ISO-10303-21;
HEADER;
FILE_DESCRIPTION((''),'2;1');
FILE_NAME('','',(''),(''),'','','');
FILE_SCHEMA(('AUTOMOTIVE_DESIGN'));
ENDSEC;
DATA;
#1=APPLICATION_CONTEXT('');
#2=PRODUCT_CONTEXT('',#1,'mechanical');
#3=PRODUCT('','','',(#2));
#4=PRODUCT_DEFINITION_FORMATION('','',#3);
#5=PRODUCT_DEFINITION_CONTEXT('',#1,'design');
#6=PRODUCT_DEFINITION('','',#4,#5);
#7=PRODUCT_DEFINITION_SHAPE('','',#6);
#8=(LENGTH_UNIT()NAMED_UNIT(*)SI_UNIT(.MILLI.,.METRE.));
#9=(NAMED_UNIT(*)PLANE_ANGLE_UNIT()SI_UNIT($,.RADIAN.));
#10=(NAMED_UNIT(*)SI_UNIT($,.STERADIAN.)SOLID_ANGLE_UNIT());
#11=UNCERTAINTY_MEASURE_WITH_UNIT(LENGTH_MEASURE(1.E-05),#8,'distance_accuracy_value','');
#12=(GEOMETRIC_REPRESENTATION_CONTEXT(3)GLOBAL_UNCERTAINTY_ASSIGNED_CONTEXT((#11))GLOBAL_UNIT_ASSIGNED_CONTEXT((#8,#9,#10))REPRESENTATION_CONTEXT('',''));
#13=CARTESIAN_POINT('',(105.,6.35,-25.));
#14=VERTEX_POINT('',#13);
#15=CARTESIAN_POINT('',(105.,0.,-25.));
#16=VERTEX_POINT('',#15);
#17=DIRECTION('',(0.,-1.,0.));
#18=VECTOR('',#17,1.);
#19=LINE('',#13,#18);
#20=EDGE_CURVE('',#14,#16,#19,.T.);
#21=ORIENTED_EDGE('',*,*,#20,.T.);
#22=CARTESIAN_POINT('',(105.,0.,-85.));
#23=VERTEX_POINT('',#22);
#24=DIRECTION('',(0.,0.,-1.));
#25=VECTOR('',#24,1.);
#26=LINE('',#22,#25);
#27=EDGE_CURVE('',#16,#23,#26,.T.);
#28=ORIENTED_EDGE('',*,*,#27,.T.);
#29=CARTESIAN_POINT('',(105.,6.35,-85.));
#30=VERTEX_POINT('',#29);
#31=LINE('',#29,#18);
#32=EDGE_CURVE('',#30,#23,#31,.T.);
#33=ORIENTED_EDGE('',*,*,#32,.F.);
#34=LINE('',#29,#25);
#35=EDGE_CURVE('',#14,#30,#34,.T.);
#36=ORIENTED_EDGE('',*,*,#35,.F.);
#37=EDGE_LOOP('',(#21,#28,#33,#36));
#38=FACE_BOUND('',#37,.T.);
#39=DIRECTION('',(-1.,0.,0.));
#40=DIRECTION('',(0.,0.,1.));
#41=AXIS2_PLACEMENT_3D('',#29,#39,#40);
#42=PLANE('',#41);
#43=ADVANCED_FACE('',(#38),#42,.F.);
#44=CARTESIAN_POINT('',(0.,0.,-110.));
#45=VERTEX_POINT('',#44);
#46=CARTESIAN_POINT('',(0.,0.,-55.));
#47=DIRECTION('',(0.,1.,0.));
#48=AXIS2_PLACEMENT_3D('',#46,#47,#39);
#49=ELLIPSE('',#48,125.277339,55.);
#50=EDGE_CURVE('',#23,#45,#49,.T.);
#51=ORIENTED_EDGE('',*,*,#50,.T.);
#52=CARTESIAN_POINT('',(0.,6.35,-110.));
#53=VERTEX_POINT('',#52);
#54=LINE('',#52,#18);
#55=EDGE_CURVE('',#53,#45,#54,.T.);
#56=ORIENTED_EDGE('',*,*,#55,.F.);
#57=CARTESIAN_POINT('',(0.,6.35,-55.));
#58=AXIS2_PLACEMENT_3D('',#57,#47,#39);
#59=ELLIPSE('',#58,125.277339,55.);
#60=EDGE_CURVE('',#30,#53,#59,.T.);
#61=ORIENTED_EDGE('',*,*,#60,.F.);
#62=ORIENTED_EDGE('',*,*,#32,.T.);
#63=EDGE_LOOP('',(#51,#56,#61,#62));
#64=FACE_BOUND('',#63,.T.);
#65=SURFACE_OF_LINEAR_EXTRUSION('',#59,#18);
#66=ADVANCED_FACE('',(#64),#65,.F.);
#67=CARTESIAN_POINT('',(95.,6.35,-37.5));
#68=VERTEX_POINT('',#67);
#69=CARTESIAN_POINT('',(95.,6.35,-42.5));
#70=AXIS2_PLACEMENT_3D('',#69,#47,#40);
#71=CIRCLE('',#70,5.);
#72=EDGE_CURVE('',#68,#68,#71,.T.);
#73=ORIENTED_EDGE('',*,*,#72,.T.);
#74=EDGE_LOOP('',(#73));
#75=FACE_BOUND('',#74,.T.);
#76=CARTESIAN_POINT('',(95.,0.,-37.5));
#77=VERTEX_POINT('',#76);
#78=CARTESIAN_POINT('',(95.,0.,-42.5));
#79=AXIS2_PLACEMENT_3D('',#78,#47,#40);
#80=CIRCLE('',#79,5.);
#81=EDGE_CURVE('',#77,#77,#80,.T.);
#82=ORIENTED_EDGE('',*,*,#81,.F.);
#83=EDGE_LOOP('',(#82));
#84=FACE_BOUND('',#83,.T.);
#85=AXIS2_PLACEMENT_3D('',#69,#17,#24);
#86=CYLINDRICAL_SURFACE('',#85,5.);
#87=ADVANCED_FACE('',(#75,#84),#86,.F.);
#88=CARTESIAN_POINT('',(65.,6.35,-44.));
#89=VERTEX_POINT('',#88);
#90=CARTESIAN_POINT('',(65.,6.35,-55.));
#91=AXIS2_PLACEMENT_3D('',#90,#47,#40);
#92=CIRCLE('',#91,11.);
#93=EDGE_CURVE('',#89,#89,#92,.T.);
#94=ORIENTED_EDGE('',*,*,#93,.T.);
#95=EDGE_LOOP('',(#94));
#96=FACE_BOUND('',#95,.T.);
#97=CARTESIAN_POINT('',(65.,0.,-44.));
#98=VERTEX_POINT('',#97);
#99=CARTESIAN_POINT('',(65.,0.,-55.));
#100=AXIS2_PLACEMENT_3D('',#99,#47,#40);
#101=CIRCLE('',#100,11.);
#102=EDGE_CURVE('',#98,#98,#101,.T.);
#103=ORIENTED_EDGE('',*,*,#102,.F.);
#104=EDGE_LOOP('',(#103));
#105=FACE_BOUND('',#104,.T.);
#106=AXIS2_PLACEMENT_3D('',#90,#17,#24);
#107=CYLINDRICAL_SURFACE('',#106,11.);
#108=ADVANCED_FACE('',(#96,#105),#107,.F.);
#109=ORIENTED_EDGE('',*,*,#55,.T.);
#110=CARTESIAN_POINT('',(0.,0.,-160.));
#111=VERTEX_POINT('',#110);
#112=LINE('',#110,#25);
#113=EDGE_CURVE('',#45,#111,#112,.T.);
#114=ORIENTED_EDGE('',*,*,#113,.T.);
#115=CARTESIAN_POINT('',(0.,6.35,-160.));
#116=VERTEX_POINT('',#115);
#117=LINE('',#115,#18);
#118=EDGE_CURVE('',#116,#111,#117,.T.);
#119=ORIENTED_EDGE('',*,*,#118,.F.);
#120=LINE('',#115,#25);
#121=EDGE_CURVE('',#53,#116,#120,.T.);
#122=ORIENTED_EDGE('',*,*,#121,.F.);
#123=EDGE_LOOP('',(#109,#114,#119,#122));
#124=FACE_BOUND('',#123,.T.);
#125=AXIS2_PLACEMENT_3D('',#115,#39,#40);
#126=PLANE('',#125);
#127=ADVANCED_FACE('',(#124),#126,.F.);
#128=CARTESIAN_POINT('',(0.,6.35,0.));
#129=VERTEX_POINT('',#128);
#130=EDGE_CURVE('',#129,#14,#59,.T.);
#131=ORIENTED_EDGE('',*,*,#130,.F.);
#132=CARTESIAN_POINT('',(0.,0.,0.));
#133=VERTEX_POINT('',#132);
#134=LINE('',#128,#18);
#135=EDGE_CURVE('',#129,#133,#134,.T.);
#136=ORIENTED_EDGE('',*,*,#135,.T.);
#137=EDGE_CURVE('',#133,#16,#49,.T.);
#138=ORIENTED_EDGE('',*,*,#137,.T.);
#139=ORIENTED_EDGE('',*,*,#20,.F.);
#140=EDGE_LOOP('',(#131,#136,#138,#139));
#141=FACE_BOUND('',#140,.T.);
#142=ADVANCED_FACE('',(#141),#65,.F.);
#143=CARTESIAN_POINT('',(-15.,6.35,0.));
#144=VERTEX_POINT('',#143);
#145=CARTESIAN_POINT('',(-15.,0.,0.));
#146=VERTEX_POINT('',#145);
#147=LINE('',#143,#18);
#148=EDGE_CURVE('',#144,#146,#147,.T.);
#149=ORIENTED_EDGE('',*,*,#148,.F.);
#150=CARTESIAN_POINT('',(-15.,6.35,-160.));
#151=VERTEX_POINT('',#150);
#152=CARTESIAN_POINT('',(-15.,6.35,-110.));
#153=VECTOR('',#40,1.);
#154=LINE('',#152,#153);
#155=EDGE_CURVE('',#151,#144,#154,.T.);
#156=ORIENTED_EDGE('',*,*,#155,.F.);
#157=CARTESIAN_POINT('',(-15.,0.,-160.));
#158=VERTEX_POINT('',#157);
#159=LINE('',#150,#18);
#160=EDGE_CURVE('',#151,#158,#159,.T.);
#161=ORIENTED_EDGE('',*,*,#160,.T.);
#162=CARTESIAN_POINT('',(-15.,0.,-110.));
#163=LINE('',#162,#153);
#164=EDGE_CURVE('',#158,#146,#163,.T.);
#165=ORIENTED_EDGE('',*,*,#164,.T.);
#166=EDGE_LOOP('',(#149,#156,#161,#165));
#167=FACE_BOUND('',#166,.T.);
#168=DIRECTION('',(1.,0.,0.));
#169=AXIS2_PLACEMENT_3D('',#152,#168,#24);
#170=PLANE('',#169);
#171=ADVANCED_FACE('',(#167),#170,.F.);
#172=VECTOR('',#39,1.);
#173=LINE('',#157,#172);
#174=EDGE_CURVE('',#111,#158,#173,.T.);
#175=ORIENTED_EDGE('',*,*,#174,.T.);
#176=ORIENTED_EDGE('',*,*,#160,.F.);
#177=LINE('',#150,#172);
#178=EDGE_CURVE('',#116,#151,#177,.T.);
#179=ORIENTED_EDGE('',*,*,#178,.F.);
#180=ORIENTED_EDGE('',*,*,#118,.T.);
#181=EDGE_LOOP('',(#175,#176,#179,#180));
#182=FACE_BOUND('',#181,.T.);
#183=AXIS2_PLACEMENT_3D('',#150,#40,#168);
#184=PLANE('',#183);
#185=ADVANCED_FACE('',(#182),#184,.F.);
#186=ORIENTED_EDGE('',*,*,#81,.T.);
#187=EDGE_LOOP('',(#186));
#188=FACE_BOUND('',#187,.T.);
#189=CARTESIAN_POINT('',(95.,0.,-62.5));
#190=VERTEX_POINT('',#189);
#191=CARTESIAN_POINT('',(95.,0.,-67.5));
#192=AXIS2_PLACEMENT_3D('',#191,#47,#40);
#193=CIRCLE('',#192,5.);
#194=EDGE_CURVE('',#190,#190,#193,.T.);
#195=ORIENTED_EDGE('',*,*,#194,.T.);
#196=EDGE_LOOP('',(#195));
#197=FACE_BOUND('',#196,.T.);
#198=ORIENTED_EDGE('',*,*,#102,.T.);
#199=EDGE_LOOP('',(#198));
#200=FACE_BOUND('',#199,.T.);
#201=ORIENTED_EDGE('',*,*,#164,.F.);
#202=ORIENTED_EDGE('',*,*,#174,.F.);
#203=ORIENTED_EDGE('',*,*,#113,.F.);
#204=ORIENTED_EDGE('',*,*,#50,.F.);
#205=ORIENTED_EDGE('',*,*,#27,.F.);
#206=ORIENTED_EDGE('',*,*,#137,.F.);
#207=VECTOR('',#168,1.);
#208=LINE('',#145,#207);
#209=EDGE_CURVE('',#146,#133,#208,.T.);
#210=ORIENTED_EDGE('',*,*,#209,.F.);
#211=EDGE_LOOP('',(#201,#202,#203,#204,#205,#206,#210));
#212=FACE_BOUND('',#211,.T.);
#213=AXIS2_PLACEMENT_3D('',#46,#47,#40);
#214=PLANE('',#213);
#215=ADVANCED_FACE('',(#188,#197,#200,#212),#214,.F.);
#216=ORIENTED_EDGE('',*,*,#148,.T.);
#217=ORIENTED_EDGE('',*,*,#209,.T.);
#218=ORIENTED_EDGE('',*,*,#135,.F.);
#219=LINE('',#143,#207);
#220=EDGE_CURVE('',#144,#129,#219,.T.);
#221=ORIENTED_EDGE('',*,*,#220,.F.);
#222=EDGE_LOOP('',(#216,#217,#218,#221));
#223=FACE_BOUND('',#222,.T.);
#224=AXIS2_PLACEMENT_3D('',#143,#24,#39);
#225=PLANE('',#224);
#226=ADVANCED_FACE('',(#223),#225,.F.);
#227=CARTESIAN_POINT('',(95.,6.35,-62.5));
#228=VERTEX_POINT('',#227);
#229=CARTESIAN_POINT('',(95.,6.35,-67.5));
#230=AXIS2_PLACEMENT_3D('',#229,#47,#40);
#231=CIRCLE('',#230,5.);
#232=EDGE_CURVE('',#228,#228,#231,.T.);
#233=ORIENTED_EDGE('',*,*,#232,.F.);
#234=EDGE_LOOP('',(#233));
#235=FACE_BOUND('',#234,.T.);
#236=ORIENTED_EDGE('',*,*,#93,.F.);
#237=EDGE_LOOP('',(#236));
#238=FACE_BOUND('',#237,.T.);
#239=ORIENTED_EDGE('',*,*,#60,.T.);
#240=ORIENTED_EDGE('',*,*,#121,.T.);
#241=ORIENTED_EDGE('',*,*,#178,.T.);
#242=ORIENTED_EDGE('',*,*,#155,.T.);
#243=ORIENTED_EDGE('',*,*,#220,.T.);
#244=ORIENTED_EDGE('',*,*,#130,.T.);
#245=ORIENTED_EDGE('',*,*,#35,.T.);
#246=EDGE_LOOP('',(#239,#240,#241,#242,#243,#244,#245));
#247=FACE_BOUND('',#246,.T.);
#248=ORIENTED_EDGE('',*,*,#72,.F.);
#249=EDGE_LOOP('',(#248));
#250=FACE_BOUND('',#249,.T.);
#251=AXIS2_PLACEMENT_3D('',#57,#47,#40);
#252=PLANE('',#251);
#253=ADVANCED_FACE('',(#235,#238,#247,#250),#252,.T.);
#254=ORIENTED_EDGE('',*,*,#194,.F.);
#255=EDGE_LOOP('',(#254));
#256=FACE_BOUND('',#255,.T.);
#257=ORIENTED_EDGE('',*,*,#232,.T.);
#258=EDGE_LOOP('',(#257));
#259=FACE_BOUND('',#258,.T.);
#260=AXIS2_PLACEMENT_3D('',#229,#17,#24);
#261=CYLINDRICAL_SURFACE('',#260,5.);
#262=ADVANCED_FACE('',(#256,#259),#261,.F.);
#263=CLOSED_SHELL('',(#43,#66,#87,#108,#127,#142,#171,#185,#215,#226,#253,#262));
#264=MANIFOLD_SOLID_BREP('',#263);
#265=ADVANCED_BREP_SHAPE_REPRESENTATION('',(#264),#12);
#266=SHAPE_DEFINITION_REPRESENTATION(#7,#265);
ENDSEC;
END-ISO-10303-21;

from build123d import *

# Parameters (mm, degrees)
BOSS_EXTRUDE1_DEPTH = 6.35
SKETCH2_R           = 5
CUT_EXTRUDE1_DEPTH  = 6.35
SKETCH3_R           = 11
CUT_EXTRUDE2_DEPTH  = 7.3500001
SKETCH4_W           = 15
SKETCH4_H           = 110
BOSS_EXTRUDE3_DEPTH = 6.35
SKETCH5_W           = 15
SKETCH5_H           = 50
BOSS_EXTRUDE4_DEPTH = 6.35


with BuildPart() as part:
    # Sketch1 → Boss-Extrude1 (new body)
    with BuildSketch(Plane(origin=(0, 0, 0), x_dir=(1, 0, 0), z_dir=(0, 1, 0))):
        with BuildLine():
            Line((0, 110), (0, 0))
            add(Edge.make_bspline(
                [(0, 0), (67.941176471, 0), (105, 25)],
                knots=[1.570796327, 1.570796327, 1.570796327, 2.564661308, 2.564661308, 2.564661308], degree=2, weights=[1, 0.879049073, 1]))
            Line((105, 25), (105, 85))
            add(Edge.make_bspline(
                [(105, 85), (67.941176471, 110), (0, 110)],
                knots=[3.718523999, 3.718523999, 3.718523999, 4.71238898, 4.71238898, 4.71238898], degree=2, weights=[1, 0.879049073, 1]))
        make_face()
    extrude(amount=BOSS_EXTRUDE1_DEPTH)

    # Sketch2 → Cut-Extrude1 (cut)
    with BuildSketch(Plane(origin=(0, 0, 0), x_dir=(1, 0, 0), z_dir=(0, 1, 0))):
        with Locations((95, 67.5)):
            Circle(SKETCH2_R)
        with Locations((95, 42.5)):
            Circle(SKETCH2_R)
    extrude(amount=CUT_EXTRUDE1_DEPTH, mode=Mode.SUBTRACT)

    # Sketch3 → Cut-Extrude2 (cut, through all)
    with BuildSketch(Plane(origin=(0, 0, 0), x_dir=(1, 0, 0), z_dir=(0, 1, 0))):
        with Locations((65, 55)):
            Circle(SKETCH3_R)
    extrude(amount=CUT_EXTRUDE2_DEPTH, mode=Mode.SUBTRACT)

    # Sketch4 → Boss-Extrude3 (add)
    with BuildSketch(Plane(origin=(0, 0, 0), x_dir=(1, 0, 0), z_dir=(0, 1, 0))):
        with Locations((-7.5, 55)):
            Rectangle(SKETCH4_W, SKETCH4_H)
    extrude(amount=BOSS_EXTRUDE3_DEPTH)

    # Sketch5 → Boss-Extrude4 (add)
    with BuildSketch(Plane(origin=(0, 0, 0), x_dir=(1, 0, 0), z_dir=(0, 1, 0))):
        with Locations((-7.5, 135)):
            Rectangle(SKETCH5_W, SKETCH5_H)
    extrude(amount=BOSS_EXTRUDE4_DEPTH)


solid = part.part
